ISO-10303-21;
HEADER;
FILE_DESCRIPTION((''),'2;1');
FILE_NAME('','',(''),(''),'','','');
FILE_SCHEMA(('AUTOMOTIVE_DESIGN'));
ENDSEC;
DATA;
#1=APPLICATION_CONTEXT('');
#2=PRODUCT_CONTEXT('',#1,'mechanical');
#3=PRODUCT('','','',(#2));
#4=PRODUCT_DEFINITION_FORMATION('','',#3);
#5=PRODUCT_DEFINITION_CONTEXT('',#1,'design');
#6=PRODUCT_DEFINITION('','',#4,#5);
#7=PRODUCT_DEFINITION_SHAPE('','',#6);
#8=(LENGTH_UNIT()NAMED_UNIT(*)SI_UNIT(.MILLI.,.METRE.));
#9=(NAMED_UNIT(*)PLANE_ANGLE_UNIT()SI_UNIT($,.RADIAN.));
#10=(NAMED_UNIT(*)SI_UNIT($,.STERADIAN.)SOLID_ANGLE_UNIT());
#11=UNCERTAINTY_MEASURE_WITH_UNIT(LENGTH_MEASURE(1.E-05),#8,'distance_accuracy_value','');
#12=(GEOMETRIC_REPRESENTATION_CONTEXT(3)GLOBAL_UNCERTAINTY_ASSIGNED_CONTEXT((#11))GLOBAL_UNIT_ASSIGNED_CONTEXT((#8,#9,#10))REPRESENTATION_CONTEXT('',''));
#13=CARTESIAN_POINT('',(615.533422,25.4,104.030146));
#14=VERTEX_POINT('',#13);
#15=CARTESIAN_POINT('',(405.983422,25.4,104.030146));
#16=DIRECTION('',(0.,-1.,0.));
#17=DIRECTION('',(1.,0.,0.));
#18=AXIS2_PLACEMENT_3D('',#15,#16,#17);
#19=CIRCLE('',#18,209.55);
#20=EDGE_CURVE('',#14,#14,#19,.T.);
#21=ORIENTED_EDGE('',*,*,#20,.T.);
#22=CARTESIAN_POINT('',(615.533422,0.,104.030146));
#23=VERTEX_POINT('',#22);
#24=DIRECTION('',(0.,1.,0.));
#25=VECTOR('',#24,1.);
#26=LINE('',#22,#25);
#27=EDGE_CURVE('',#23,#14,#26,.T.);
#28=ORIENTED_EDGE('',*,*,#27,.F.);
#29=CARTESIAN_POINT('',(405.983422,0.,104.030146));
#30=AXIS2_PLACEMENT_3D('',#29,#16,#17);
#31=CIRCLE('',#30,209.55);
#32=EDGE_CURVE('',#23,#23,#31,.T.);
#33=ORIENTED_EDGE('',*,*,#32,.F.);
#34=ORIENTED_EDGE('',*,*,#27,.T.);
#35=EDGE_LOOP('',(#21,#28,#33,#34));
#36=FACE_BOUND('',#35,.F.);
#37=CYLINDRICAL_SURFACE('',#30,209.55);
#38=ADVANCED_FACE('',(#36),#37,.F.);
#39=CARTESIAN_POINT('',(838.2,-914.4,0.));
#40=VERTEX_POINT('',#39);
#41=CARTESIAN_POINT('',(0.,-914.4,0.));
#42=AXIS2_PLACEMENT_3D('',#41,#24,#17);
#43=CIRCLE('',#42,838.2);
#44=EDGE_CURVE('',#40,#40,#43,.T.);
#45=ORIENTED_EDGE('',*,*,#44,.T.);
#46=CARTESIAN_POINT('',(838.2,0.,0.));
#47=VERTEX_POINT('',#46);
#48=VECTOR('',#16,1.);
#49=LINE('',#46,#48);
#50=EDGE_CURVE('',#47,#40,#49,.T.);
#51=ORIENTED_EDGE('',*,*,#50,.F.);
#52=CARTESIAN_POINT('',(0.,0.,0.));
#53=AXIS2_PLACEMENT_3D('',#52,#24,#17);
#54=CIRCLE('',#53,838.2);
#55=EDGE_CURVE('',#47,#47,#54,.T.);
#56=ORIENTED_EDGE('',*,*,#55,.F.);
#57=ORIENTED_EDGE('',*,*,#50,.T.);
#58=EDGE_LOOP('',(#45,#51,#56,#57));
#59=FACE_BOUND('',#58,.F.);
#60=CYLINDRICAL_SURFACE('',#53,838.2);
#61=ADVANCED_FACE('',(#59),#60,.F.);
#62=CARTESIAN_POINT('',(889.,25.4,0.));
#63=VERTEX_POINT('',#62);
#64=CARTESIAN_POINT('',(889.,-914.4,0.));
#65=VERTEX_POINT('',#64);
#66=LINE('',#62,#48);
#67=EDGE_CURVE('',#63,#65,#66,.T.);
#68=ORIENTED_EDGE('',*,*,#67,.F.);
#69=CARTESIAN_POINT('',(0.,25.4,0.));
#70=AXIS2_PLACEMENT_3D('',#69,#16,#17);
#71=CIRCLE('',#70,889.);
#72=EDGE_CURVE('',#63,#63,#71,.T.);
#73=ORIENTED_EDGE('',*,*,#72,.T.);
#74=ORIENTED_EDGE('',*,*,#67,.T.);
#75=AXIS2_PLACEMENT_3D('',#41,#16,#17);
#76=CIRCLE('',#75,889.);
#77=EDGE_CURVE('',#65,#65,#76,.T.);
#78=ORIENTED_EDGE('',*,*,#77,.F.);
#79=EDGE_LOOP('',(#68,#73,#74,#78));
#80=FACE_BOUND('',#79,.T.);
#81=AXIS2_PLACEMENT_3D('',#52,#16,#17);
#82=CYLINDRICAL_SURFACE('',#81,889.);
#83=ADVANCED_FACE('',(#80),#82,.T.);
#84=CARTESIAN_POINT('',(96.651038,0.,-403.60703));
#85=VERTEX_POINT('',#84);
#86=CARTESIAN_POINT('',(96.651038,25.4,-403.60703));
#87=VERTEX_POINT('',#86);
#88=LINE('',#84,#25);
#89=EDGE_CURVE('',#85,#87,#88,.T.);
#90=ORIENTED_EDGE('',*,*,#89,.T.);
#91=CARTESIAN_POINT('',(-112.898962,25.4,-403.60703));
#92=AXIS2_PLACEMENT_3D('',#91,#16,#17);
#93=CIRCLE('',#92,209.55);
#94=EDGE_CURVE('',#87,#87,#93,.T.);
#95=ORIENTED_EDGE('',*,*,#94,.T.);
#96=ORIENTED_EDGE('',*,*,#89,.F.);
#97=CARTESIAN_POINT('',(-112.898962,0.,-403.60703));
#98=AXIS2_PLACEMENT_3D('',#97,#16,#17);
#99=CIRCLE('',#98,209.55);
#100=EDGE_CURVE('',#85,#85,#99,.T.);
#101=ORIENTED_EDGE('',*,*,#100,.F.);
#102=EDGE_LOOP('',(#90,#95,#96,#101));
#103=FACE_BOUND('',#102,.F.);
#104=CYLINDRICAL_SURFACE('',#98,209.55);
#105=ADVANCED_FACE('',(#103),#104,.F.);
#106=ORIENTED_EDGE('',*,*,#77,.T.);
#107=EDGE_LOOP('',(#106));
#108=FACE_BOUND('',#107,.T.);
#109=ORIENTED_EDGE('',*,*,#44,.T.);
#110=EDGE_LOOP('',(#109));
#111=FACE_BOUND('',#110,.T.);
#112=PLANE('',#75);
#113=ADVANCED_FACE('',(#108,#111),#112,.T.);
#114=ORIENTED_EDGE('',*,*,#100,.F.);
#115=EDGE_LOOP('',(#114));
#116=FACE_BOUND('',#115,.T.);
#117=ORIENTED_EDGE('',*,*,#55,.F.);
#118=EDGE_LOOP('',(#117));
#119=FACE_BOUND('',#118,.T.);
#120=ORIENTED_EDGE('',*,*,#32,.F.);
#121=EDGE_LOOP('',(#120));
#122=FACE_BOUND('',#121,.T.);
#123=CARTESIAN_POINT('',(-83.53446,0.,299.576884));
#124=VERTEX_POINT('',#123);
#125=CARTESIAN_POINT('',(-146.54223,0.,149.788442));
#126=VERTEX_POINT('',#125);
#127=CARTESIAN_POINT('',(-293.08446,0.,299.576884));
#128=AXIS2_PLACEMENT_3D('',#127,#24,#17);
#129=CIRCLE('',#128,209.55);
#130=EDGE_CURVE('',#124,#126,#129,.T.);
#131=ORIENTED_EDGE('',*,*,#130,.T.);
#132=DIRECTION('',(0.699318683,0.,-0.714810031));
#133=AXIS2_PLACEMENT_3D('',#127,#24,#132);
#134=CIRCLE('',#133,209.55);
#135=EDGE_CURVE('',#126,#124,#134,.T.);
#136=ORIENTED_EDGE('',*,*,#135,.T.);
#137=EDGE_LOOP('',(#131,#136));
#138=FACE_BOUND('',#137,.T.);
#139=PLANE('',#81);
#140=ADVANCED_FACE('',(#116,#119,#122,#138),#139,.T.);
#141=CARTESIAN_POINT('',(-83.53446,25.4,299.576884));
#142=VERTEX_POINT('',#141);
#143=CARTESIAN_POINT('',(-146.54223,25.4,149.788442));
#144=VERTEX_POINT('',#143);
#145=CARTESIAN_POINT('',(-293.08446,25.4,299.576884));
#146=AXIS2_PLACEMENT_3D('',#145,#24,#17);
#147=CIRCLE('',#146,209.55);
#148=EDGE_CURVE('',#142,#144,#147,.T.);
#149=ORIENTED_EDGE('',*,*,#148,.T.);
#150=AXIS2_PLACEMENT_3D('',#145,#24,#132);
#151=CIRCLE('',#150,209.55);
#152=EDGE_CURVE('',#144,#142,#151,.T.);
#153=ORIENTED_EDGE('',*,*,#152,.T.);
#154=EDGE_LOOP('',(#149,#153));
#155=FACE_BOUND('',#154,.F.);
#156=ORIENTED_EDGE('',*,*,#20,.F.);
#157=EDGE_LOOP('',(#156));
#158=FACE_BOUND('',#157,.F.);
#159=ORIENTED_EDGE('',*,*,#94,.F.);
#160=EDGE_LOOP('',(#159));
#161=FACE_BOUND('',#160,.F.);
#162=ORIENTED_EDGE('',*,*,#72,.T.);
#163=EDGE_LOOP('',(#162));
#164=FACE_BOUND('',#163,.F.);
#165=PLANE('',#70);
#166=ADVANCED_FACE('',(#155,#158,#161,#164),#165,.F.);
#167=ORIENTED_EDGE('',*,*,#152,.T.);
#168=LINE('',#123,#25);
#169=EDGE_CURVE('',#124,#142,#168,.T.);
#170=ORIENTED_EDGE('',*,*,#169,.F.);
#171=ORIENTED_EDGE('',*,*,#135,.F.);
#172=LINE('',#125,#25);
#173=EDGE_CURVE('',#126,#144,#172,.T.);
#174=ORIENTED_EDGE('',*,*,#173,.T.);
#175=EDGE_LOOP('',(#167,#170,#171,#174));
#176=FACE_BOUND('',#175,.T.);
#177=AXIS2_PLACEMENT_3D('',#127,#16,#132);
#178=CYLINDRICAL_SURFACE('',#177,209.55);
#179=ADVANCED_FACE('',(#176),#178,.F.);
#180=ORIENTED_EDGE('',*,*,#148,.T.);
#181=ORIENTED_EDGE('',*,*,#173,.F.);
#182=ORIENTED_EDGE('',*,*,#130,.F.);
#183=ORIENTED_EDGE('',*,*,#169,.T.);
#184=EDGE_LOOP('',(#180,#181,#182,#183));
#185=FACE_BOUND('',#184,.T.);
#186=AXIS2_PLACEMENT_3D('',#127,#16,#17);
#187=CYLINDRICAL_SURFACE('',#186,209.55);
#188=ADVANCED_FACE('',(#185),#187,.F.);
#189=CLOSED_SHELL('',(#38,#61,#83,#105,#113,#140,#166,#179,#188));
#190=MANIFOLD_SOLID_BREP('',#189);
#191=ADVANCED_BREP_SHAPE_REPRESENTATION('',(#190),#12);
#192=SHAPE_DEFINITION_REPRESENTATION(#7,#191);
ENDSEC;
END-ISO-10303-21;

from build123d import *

# Parameters (mm, degrees)
F0_R     = 889
F1_DEPTH = 914.4
F0_R_2   = 209.55
F2_DEPTH = 25.4


with BuildPart() as f1:
    # F0 (on Front) → F1 (new body)
    with BuildSketch(Plane.XZ):
        Circle(F0_R)
        with BuildLine():
            ThreePointArc((-586.1689197433, 599.1537678485), (325.0018857416, 772.6273450147), (838.2, 0))
            ThreePointArc((838.2, 0), (-325.0018857416, -772.6273450147), (-586.1689197433, 599.1537678485))
        make_face(mode=Mode.SUBTRACT)
    extrude(amount=F1_DEPTH)

    # F0 (on Front) → F2 (join)
    with BuildSketch(Plane.XZ):
        Circle(F0_R)
        with BuildLine():
            ThreePointArc((-586.1689197433, 599.1537678485), (325.0018857416, 772.6273450147), (838.2, 0))
            ThreePointArc((838.2, 0), (-325.0018857416, -772.6273450147), (-586.1689197433, 599.1537678485))
        make_face(mode=Mode.SUBTRACT)
        with BuildLine():
            ThreePointArc((-586.1689197433, 599.1537678485), (-325.0018857416, -772.6273450147), (838.2, 0))
            ThreePointArc((838.2, 0), (325.0018857416, 772.6273450147), (-586.1689197433, 599.1537678485))
        make_face()
        with Locations((-112.8989619291, -403.6070296654)):
            Circle(F0_R_2, mode=Mode.SUBTRACT)
        with BuildLine():
            ThreePointArc((-146.5422299358, 149.7884419621), (-442.8729018337, 153.0346539884), (-439.6266898075, 449.3653258863))
            ThreePointArc((-439.6266898075, 449.3653258863), (-211.8339884362, 492.7337201779), (-83.5344598716, 299.5768839242))
            ThreePointArc((-83.5344598716, 299.5768839242), (-99.927623618, 218.3264124888), (-146.5422299358, 149.7884419621))
        make_face(mode=Mode.SUBTRACT)
        with Locations((405.9834218008, 104.0301457412)):
            Circle(F0_R_2, mode=Mode.SUBTRACT)
    extrude(amount=-F2_DEPTH)


solid = f1.part
